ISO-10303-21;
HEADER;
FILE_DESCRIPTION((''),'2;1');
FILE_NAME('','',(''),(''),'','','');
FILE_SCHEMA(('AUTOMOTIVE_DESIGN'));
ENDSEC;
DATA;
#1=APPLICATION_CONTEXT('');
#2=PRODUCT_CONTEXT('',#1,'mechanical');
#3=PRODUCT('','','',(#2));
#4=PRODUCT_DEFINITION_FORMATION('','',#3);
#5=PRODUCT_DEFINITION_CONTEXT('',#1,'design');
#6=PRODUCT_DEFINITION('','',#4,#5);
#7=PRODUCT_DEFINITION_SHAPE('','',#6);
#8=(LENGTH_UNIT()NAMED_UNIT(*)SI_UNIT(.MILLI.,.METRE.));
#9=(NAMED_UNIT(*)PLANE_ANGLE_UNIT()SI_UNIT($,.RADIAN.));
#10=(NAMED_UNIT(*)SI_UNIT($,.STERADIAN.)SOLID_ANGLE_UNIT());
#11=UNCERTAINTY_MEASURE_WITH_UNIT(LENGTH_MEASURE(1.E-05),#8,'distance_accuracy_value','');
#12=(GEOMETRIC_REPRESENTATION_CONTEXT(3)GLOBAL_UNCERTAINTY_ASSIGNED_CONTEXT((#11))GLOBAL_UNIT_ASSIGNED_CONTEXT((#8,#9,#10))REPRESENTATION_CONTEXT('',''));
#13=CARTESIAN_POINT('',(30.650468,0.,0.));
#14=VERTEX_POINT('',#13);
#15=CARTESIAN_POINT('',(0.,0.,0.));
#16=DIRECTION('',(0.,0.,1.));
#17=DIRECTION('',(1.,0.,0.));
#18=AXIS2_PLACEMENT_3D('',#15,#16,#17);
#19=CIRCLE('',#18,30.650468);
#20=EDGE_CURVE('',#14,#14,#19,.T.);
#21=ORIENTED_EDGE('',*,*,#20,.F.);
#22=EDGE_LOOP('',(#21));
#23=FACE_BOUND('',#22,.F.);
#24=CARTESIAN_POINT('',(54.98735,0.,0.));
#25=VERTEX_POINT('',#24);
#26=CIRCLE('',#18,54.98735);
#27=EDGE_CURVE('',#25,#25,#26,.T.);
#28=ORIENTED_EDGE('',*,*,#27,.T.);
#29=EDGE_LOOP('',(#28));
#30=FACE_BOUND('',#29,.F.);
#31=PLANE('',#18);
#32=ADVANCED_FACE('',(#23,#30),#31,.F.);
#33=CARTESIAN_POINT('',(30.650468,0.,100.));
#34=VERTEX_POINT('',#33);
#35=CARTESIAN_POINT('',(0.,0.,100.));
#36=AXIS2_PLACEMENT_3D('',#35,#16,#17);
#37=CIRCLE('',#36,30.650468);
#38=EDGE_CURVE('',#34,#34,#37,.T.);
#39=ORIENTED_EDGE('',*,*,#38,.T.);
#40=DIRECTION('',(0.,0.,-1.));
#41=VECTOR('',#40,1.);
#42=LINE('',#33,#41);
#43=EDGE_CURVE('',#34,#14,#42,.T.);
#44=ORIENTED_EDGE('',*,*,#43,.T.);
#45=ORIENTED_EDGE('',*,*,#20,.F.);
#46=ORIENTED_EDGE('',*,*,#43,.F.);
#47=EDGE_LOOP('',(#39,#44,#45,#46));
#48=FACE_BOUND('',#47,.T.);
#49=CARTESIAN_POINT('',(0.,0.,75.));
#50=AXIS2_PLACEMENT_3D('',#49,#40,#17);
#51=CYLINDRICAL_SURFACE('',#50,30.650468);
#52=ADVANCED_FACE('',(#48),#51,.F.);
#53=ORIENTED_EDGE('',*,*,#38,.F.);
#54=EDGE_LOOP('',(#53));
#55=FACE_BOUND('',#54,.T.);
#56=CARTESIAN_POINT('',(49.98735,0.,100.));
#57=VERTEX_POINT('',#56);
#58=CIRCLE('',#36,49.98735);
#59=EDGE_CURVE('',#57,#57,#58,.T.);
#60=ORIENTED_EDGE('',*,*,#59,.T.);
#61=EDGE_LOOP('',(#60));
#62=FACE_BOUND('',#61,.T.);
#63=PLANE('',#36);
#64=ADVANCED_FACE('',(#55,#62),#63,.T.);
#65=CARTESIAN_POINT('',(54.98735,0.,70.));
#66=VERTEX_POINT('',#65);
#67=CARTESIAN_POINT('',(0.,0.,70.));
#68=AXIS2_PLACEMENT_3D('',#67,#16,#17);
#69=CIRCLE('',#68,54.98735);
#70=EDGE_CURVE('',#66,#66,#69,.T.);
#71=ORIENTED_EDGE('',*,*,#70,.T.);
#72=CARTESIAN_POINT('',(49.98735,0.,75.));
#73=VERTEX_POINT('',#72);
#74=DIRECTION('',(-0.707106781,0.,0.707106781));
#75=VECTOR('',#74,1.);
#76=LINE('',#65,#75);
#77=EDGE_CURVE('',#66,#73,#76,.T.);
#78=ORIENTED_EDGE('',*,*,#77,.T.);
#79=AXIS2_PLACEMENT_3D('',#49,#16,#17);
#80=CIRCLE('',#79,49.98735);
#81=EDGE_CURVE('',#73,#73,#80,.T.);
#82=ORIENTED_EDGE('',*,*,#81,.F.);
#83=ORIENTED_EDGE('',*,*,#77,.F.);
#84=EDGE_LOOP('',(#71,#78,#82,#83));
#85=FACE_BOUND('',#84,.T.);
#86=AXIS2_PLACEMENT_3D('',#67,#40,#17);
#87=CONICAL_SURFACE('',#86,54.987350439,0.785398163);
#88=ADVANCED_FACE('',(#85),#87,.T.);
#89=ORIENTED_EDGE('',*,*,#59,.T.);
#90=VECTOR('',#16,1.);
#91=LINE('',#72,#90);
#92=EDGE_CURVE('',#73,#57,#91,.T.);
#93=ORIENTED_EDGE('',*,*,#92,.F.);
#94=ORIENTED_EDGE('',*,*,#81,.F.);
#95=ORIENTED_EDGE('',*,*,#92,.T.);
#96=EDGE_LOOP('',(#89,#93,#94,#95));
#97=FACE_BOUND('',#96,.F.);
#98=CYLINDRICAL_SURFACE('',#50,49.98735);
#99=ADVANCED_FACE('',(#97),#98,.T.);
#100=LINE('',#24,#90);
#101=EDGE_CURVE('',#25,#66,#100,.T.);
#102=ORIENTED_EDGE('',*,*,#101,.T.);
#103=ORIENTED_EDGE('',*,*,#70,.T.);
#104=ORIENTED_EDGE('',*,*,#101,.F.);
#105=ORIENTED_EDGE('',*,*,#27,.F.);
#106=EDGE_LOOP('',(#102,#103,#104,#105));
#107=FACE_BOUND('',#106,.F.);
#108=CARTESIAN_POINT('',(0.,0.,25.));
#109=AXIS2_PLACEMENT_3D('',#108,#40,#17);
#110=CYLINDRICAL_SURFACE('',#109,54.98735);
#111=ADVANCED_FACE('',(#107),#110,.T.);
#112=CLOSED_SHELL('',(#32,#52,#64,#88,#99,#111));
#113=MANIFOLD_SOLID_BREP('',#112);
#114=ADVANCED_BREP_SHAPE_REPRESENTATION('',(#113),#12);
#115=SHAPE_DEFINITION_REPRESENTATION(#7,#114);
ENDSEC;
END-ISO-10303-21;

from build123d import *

# Parameters (mm, degrees)
F0_R     = 54.9873504391
F0_R_2   = 30.6504677255
F1_DEPTH = 25
F2_DEPTH = 50
F3_SIZE  = 5
F4_DEPTH = 25


with BuildPart() as f1:
    # F0 (on Top) → F1 (new body)
    with BuildSketch(Plane.XY):
        Circle(F0_R)
        Circle(F0_R_2, mode=Mode.SUBTRACT)
    extrude(amount=F1_DEPTH)

    # F2 (add): a face of the model
    f2_faces = [f1.faces().sort_by_distance(p)[0] for p in [
        (-53.4320733041, 0, 25),
    ]]
    extrude(f2_faces, amount=F2_DEPTH)

    # F3
    f3_edges = [f1.edges().sort_by_distance(p)[0] for p in [
        (-54.98735, 0, 75),
    ]]
    chamfer(f3_edges, length=F3_SIZE)

    # F4 (add): a face of the model
    f4_faces = [f1.faces().sort_by_distance(p)[0] for p in [
        (-48.5734946603, 0, 75),
    ]]
    extrude(f4_faces, amount=F4_DEPTH)


solid = f1.part
